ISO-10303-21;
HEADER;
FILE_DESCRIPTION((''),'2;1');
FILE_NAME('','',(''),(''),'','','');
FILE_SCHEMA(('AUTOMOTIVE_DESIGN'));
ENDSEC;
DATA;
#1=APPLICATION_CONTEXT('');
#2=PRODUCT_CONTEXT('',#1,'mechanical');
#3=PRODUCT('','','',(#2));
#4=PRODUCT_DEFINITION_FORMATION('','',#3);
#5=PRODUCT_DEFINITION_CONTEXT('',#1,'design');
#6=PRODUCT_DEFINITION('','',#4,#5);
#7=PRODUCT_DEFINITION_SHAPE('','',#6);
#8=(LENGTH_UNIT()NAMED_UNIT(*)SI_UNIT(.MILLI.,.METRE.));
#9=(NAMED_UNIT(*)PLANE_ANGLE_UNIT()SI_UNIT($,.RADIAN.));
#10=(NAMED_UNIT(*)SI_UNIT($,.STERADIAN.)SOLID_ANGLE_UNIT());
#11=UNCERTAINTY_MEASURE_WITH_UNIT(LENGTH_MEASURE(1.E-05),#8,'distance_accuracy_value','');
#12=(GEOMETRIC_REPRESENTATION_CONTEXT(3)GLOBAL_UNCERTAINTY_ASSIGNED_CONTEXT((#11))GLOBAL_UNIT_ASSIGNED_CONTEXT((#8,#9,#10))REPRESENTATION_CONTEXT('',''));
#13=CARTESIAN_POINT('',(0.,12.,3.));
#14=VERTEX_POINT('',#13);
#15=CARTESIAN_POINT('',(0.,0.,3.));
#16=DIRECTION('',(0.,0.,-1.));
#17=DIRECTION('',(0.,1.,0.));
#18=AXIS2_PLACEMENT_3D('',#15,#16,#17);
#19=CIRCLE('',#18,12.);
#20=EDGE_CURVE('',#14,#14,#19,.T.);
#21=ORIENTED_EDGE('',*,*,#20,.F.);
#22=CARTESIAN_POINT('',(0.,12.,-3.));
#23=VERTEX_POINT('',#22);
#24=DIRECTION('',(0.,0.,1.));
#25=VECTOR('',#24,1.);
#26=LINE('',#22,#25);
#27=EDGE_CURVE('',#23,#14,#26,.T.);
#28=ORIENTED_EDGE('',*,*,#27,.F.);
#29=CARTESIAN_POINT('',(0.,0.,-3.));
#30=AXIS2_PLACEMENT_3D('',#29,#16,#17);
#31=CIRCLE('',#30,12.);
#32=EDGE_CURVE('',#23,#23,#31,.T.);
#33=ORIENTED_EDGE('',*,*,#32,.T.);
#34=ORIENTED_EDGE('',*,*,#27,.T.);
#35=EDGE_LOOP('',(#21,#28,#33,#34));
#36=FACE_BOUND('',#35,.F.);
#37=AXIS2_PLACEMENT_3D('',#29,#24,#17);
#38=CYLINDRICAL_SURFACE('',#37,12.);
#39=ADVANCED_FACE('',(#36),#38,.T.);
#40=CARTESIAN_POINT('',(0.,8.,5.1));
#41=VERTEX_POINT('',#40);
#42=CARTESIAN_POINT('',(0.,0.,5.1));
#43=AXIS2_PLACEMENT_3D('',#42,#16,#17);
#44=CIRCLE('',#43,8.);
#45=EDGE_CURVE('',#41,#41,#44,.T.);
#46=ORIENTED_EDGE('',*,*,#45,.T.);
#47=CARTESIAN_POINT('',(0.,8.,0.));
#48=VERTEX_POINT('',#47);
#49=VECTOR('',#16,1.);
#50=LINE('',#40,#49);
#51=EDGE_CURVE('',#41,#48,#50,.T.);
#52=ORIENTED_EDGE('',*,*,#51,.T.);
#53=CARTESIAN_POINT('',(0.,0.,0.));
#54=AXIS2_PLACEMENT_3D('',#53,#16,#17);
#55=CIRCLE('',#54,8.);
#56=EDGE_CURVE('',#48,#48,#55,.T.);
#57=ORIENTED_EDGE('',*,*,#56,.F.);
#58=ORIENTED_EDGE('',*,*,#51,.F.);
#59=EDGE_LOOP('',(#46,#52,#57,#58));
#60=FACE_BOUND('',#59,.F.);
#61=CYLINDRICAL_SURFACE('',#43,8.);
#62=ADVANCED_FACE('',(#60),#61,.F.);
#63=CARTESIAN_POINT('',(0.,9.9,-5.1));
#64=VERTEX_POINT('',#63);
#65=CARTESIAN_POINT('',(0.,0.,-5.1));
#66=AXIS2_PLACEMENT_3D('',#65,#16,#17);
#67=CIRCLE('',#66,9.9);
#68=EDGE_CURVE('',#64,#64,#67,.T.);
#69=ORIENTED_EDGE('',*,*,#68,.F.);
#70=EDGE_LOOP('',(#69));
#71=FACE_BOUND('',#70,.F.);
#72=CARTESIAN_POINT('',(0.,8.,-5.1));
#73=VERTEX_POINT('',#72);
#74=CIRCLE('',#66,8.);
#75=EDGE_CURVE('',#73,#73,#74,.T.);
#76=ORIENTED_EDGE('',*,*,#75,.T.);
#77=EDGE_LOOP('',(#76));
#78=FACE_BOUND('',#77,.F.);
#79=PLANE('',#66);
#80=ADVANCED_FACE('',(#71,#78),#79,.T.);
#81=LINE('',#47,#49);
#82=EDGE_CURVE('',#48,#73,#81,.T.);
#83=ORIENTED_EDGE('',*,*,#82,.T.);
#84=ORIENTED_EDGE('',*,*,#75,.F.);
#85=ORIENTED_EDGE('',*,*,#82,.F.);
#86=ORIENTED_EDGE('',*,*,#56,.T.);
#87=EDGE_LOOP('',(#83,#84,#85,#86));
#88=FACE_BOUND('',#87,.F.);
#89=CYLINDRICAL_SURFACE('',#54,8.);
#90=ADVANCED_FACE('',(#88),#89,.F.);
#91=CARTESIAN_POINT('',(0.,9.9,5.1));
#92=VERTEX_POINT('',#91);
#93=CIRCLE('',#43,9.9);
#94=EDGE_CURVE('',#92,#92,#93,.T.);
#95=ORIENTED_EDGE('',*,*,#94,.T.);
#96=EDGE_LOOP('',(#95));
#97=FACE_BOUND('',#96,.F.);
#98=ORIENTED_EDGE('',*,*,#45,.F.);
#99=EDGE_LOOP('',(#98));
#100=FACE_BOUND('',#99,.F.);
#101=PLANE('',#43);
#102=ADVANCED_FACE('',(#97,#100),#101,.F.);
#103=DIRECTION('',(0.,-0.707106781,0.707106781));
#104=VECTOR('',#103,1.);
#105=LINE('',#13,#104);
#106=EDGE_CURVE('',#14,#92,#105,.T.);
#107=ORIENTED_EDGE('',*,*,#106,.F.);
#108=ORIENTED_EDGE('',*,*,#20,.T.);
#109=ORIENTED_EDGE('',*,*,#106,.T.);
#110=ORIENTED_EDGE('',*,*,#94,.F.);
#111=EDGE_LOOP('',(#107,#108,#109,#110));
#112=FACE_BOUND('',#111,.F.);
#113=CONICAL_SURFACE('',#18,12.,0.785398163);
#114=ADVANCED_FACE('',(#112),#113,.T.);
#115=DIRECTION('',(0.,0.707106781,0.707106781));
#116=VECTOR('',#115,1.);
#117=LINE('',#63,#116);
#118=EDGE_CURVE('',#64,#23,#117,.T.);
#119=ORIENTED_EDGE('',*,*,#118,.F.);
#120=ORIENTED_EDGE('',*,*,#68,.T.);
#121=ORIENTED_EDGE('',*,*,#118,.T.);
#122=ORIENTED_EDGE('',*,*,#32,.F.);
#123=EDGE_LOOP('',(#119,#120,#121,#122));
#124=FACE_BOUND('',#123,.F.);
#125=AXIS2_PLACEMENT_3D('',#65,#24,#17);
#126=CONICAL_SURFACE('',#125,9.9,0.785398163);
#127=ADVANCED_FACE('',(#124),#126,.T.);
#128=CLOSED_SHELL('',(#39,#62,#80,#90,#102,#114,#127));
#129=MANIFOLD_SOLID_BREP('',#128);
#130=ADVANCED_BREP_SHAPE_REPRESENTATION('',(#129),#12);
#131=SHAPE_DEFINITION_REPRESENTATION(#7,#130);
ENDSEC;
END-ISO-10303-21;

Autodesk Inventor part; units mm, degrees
ref_plane "YZ Plane" through (0, 0, 0) normal (1, 0, 0) x (0, 1, 0)
ref_plane "XZ Plane" through (0, 0, 0) normal (0, 1, 0) x (-1, 0, 0)
ref_plane "XY Plane" through (0, 0, 0) normal (0, 0, 1) x (1, 0, 0)
sketch "Boceto2" plane through (0, 0, 0) normal (1, 0, 0) x (0, 1, 0)
  line L0 (8, 5.1) -> (8, 0)
  line L1 (8, 0) -> (8, -5.1)
  line L2 (8, -5.1) -> (9.9, -5.1)
  line L3 (9.9, -5.1) -> (12, -3)
  line L4 (12, -3) -> (12, 3)
  line L5 (12, 3) -> (9.9, 5.1)
  line L6 (9.9, 5.1) -> (8, 5.1)
  line L7 (0, 19.536) -> (0, -22.6626)
  point P0 (0, 0)
  dimension "d2" = 6
  dimension "d3" = 5.1
  dimension "d4" = 4
  dimension "d5" = 135
  dimension "d6" = 5.1
  dimension "d7" = 8
revolve "Revolución1" add sketch "Boceto2" angle 360 about axis through (0, 0, 19.536) along (0, 0, -1)
properties part number "Rueda v" material "Caucho"
